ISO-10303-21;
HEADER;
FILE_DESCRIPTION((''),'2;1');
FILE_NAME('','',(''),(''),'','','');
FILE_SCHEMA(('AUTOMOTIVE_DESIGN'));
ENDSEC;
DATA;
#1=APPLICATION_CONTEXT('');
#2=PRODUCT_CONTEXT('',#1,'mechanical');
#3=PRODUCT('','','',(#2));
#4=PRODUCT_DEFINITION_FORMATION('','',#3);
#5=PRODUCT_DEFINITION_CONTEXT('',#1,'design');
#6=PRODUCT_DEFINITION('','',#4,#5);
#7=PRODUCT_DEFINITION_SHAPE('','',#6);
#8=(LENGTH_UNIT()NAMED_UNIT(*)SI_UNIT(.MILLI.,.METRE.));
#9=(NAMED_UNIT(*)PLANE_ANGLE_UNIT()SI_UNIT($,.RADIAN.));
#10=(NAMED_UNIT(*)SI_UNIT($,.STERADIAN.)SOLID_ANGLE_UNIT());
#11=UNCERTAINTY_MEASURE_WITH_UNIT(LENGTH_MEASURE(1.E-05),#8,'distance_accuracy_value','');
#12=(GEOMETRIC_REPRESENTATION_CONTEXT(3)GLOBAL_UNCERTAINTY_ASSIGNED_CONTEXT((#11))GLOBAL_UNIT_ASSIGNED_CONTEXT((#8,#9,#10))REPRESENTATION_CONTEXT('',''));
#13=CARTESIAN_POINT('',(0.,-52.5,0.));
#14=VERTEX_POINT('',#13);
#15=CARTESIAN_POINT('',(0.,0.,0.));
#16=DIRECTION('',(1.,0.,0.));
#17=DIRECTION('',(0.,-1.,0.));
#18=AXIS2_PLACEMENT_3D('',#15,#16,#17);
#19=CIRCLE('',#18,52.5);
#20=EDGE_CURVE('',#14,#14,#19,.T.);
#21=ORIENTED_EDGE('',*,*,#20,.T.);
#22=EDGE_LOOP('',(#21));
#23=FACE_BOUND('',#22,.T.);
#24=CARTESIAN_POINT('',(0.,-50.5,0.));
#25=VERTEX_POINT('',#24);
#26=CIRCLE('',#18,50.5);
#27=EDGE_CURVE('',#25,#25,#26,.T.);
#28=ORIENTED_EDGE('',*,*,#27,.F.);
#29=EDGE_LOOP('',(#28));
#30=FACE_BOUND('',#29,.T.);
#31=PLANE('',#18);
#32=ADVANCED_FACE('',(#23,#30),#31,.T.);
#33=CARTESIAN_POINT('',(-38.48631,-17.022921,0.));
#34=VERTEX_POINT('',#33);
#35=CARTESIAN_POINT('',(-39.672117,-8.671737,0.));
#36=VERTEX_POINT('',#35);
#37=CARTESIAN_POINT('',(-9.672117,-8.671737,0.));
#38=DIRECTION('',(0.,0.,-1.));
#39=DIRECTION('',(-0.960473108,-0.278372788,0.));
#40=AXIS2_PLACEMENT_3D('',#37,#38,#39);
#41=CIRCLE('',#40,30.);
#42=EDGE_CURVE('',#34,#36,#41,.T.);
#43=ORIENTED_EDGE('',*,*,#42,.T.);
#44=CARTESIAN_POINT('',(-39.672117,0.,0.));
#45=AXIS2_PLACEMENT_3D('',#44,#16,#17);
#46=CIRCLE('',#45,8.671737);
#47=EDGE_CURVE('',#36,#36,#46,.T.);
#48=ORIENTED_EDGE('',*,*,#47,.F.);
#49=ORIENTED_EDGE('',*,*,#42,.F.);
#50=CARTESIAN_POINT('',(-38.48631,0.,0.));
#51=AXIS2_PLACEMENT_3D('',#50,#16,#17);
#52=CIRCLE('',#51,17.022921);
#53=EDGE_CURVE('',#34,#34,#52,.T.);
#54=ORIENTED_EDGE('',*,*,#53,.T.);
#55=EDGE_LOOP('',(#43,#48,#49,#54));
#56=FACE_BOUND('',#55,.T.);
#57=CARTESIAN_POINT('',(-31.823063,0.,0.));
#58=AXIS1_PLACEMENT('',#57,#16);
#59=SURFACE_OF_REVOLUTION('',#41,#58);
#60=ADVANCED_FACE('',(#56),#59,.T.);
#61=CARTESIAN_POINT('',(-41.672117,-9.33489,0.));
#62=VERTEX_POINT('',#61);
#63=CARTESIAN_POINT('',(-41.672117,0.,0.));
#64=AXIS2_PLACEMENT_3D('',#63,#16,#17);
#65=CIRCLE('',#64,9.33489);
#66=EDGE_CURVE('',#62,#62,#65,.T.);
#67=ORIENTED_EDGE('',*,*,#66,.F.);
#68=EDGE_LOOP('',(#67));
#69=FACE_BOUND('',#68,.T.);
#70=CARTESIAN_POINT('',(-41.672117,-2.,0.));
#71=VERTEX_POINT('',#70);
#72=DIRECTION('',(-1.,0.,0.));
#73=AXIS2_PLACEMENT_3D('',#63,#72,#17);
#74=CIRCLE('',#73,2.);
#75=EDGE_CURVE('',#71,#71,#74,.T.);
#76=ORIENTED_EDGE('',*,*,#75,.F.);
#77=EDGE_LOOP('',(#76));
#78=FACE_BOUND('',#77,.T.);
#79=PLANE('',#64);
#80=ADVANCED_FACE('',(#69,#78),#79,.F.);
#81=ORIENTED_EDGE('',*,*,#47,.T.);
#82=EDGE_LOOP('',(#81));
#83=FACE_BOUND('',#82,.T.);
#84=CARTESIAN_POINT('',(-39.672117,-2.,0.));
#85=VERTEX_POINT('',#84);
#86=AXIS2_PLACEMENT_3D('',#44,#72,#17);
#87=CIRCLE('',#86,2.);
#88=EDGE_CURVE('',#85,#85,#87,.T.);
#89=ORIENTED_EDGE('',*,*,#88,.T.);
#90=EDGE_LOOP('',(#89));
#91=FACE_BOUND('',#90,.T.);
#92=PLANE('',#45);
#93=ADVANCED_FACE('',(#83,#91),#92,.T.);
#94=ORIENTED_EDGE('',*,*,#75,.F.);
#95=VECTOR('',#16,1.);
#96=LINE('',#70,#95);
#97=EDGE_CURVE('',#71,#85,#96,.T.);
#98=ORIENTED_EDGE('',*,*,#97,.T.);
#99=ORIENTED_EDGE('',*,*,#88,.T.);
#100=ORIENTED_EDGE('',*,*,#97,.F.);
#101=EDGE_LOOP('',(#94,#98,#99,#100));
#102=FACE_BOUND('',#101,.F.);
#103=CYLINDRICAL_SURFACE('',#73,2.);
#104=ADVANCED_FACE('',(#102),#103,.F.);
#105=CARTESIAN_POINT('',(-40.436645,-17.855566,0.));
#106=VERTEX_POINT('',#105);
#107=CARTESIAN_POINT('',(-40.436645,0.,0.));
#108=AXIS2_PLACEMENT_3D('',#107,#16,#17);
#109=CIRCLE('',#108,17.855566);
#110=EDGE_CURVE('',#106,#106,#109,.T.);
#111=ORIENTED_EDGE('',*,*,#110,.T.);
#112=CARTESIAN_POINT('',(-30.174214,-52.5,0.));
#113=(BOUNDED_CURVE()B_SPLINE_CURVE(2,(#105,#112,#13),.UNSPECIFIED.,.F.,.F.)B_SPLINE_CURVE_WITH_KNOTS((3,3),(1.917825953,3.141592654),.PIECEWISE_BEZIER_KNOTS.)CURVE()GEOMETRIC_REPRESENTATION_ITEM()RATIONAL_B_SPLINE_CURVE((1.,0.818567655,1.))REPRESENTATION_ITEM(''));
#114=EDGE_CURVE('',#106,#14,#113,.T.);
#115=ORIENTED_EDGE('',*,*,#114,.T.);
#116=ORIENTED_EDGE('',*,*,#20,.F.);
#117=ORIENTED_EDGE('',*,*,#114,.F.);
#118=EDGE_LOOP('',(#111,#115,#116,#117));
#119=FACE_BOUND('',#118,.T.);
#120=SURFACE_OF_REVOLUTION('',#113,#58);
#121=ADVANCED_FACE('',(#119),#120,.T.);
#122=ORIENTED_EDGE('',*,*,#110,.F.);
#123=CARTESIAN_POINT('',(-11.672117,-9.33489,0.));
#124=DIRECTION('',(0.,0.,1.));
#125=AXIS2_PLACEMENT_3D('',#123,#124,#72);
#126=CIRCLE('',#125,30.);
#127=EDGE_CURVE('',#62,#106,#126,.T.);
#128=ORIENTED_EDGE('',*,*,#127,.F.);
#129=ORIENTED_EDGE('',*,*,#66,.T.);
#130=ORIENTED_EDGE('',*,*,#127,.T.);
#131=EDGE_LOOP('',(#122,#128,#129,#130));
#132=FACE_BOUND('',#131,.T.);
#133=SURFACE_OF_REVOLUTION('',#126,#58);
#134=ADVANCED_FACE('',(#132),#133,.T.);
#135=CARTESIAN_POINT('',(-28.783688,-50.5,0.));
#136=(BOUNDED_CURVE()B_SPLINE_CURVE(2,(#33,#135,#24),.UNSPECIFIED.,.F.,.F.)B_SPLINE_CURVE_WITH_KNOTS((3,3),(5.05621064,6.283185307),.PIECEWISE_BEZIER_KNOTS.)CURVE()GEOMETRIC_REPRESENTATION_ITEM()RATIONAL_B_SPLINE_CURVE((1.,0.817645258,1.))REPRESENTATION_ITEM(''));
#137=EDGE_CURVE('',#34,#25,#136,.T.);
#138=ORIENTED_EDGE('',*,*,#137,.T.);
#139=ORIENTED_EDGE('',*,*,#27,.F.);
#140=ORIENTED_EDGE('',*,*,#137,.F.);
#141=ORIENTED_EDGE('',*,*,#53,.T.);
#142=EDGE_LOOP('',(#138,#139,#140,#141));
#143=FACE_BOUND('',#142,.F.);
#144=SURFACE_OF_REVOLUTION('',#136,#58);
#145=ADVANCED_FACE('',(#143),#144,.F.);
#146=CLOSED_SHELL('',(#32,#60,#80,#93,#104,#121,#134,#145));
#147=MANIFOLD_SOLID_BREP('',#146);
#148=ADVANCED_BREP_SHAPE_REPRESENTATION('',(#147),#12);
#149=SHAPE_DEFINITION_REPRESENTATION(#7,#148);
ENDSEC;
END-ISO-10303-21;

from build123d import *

# Parameters (mm, degrees)
F2_R     = 2
F3_DEPTH = 25


with BuildPart() as f1:
    # F0 (on Top) → F1 (revolve)
    with BuildSketch(Plane.XY):
        with BuildLine():
            ThreePointArc((-41.6721172142, -9.3348895784), (-41.3616426837, -13.6397795182), (-40.4366453879, -17.8555655459))
            add(Edge.make_bspline(
                [(-40.4366453879, -17.8555655459), (-30.1742138862, -52.5), (0, -52.5)],
                knots=[1.9178259526, 1.9178259526, 1.9178259526, 3.1415926536, 3.1415926536, 3.1415926536], degree=2, weights=[1, 0.8185676546, 1]))
            Line((0, -52.5), (0, -50.5))
            add(Edge.make_bspline(
                [(-38.4863104497, -17.0229205476), (-28.7836879973, -50.5), (0, -50.5)],
                knots=[5.0562106401, 5.0562106401, 5.0562106401, 6.2831853072, 6.2831853072, 6.2831853072], degree=2, weights=[1, 0.8176452579, 1]))
            ThreePointArc((-38.4863104497, -17.0229205476), (-39.374186141, -12.8892126299), (-39.6721172142, -8.6717369077))
            Line((-39.6721172142, -8.6717369077), (-39.6721172142, 0))
            Line((-39.6721172142, 0), (-40.8788120098, 0))
            Line((-40.8788120098, 0), (-41.6721172142, 0))
            Line((-41.6721172142, 0), (-41.6721172142, -9.3348895784))
        make_face()
    revolve(axis=Axis((-31.8230630362, 0, 0), (1, 0, 0)))

    # F2 (on face) → F3 (cut)
    with BuildSketch(Plane(origin=(-41.6721172142, 0, 0), x_dir=(0, -1, 0), z_dir=(-1, 0, 0))):
        Circle(F2_R)
    extrude(amount=-F3_DEPTH, mode=Mode.SUBTRACT)


solid = f1.part
